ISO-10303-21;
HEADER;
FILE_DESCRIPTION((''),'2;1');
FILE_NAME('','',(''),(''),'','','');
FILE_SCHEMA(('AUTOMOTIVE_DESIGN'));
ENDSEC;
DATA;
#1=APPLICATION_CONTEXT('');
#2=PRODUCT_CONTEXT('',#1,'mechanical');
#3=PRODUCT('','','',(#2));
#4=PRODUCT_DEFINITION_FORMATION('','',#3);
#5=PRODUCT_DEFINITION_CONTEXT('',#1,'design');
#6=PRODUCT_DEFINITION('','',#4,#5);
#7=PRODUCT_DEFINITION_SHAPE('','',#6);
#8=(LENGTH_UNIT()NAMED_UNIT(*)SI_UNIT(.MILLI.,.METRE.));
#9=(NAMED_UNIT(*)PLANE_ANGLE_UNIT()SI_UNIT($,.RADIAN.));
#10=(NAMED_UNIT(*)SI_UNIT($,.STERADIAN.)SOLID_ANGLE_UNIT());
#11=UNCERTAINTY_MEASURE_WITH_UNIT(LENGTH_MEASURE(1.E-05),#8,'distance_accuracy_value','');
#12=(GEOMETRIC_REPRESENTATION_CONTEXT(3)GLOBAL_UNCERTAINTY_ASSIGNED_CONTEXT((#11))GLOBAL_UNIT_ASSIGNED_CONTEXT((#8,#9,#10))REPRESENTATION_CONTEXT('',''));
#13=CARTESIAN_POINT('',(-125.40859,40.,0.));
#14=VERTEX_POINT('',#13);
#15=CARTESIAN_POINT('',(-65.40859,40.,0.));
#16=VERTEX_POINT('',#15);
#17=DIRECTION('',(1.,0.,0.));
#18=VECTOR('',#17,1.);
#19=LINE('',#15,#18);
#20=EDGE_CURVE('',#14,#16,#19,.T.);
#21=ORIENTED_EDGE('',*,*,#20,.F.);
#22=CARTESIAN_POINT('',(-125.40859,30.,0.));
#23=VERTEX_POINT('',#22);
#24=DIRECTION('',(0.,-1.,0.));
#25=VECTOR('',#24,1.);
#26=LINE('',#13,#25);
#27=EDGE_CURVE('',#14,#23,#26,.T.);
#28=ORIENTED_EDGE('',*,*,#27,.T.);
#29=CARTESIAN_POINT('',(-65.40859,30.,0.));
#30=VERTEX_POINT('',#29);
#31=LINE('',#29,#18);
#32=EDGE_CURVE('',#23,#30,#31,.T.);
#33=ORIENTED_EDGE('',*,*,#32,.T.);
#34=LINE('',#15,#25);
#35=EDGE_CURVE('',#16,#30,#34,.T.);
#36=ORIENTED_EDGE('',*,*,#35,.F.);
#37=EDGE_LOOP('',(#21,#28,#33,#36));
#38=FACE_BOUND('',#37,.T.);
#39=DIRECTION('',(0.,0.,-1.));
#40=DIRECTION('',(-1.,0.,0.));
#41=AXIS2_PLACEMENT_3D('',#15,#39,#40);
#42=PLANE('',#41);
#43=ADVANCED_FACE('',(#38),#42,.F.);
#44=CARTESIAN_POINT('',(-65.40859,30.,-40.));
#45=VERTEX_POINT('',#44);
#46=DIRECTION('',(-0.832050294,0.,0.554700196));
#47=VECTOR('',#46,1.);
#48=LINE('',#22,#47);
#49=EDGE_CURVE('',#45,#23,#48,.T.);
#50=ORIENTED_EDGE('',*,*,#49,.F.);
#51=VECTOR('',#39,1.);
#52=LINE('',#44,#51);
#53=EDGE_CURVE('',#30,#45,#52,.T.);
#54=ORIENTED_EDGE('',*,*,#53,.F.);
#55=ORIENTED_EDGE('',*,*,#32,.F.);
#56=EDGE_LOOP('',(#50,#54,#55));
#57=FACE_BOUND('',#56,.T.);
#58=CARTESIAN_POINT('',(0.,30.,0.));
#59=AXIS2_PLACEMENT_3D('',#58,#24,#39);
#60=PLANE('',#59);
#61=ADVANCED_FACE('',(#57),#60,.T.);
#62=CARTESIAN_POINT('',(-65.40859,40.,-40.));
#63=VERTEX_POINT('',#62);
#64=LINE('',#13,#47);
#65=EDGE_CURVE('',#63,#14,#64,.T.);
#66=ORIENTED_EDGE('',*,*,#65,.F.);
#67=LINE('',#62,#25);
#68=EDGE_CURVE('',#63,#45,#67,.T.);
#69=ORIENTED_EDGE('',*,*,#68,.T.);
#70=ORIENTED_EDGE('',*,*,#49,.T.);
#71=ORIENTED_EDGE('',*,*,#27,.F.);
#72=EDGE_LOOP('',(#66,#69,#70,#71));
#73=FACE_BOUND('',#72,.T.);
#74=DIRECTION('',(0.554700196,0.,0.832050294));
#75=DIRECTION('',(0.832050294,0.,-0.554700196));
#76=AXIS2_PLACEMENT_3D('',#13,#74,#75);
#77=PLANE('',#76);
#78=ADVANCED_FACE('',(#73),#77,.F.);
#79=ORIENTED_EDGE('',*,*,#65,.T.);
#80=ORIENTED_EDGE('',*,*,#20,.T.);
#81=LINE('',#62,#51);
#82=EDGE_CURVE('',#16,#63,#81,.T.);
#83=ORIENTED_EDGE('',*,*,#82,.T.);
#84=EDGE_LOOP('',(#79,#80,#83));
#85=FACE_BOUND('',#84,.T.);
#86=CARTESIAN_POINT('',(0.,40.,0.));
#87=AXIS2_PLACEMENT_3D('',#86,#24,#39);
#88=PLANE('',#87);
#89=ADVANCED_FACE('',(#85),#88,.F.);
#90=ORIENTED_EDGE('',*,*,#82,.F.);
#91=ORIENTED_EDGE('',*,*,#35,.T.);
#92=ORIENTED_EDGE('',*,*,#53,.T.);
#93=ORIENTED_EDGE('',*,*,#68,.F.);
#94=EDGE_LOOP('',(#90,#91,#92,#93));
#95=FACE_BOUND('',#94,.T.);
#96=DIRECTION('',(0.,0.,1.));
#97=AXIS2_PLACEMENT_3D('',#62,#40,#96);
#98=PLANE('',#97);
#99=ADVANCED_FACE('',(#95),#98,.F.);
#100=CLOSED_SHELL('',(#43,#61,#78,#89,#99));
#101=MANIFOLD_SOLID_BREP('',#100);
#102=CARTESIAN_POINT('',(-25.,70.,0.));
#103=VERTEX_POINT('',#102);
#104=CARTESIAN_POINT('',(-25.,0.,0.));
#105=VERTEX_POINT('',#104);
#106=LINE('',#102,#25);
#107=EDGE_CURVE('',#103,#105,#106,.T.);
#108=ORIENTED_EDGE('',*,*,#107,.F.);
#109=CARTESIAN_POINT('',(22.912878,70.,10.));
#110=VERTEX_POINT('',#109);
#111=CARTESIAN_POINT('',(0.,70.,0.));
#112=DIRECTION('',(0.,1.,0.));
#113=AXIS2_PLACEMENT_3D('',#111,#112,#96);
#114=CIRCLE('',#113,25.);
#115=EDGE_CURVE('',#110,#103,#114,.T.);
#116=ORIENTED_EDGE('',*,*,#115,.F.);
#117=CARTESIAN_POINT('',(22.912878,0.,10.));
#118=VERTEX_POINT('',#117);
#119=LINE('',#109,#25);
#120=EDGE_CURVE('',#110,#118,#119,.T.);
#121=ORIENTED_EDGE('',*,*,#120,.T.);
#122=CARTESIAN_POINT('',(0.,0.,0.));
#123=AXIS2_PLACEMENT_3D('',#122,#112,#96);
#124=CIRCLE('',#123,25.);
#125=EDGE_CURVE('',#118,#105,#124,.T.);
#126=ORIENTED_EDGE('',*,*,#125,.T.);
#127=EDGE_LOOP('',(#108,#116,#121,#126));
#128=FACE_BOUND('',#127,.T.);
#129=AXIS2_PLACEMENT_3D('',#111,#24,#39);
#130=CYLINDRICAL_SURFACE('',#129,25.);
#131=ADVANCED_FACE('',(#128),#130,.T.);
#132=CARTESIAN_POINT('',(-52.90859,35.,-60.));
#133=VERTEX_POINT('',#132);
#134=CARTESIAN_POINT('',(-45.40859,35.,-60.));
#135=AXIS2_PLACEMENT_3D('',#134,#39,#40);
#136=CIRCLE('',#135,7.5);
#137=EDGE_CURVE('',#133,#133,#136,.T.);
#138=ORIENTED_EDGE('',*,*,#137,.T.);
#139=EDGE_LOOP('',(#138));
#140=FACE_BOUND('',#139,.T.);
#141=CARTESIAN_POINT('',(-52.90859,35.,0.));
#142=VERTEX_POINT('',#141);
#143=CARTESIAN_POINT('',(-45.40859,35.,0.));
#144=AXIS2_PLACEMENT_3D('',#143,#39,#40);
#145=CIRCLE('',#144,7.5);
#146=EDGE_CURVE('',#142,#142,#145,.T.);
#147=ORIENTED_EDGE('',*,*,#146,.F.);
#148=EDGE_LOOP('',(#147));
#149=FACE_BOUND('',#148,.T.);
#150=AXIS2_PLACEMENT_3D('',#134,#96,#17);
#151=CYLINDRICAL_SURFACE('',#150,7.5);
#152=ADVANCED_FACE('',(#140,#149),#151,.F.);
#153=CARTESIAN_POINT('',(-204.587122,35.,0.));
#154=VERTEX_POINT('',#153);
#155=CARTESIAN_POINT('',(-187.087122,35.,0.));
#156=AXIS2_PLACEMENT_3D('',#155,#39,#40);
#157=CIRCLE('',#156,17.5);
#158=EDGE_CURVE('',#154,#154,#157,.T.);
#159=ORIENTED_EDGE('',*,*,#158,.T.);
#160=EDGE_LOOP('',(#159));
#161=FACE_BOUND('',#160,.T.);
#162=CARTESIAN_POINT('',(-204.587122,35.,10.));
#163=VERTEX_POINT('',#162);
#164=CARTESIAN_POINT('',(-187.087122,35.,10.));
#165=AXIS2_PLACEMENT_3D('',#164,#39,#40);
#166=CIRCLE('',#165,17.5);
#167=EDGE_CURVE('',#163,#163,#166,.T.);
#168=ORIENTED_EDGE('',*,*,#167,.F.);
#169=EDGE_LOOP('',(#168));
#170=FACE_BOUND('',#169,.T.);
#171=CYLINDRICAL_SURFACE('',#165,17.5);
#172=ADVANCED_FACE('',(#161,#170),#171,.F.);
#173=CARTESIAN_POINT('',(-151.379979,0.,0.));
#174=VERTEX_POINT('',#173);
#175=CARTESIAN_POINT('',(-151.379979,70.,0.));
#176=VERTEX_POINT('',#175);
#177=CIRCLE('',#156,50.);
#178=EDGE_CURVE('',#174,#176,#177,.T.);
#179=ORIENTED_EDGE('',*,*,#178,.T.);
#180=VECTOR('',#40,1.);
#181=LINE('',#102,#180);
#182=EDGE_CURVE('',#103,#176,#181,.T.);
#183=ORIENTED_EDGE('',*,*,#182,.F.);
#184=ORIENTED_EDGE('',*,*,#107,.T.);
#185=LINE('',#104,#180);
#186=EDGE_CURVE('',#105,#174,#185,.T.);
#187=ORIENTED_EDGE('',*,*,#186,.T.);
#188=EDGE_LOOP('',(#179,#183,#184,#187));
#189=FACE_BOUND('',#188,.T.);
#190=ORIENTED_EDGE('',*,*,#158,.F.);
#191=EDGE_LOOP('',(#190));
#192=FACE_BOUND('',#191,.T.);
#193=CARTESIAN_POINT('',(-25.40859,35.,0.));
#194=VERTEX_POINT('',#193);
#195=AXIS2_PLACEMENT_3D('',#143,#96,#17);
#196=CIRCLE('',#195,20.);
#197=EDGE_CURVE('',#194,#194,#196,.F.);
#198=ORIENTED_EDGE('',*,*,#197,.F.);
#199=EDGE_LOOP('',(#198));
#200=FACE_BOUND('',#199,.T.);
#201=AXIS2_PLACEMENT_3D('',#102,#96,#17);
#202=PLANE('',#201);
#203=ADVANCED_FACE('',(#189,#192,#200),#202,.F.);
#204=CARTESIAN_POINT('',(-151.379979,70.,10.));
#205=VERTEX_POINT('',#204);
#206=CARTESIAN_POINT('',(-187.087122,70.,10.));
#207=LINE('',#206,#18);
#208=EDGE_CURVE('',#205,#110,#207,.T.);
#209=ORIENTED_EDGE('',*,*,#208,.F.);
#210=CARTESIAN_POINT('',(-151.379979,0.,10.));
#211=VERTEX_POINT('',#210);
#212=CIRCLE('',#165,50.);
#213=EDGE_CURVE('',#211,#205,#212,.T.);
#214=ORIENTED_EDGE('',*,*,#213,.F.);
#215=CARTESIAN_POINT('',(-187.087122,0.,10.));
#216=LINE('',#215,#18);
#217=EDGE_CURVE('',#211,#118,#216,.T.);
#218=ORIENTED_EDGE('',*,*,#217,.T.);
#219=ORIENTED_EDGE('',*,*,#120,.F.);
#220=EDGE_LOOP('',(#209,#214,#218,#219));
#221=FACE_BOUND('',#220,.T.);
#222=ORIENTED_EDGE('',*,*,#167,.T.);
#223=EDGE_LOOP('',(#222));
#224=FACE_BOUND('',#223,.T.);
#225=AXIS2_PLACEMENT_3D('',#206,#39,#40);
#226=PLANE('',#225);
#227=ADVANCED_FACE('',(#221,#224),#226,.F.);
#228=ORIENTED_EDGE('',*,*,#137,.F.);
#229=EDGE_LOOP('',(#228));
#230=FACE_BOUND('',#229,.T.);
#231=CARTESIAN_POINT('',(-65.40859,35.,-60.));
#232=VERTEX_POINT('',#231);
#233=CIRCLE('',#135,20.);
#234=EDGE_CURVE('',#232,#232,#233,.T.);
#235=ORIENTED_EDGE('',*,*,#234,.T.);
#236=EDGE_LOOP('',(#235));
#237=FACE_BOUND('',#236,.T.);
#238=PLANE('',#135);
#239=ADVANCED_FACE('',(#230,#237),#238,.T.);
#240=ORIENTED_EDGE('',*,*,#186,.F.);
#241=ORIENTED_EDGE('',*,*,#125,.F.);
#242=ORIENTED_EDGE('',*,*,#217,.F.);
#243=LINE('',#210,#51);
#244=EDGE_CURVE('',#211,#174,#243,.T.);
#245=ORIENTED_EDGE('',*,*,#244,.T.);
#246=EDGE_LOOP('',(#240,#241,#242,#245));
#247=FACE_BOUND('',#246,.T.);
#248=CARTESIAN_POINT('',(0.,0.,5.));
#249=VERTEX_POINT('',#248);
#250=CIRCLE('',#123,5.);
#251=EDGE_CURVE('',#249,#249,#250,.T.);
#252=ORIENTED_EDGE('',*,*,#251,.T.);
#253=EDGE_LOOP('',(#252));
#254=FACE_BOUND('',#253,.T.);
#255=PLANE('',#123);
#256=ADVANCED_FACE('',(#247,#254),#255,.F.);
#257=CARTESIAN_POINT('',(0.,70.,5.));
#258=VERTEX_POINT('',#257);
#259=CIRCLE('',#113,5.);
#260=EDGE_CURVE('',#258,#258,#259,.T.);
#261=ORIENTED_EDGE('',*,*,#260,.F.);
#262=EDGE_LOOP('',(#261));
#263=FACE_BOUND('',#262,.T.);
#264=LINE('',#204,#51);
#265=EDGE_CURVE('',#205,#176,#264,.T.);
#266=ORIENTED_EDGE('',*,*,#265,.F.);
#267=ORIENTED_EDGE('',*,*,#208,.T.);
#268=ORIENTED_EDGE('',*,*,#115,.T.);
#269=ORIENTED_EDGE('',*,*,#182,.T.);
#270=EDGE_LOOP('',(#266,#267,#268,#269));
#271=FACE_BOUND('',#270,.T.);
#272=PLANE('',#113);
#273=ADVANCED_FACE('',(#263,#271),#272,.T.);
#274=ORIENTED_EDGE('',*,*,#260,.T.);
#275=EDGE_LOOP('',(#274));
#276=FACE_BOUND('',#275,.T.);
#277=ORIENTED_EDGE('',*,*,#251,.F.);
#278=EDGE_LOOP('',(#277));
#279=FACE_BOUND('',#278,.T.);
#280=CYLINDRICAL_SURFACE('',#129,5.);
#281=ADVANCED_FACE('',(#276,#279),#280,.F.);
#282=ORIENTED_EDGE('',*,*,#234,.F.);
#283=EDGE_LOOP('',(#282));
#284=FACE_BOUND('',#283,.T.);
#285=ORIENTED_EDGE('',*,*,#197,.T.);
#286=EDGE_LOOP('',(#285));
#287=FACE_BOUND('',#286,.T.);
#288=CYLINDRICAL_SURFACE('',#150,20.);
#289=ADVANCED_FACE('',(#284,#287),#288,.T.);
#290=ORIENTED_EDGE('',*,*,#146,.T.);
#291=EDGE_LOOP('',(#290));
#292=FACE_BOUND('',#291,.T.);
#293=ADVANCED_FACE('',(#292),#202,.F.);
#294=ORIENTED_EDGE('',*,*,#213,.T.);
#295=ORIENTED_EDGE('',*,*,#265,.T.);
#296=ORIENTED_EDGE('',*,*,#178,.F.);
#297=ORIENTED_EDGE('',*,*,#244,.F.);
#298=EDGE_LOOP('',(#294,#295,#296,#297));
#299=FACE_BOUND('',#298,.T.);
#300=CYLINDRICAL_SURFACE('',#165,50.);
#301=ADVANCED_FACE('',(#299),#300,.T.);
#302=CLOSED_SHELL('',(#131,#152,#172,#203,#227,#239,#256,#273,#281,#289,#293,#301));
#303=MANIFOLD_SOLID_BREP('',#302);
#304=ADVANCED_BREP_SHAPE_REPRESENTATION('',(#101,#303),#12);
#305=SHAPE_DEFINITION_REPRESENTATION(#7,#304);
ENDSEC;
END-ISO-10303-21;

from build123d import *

# Parameters (mm, degrees)
SKETCH1_R           = 5
BOSS_EXTRUDE2_DEPTH = 70
BOSS_EXTRUDE3_DEPTH = 10
SKETCH4_R           = 17.5
CUT_EXTRUDE1_DEPTH  = 10
SKETCH5_R           = 20
SKETCH5_R_2         = 7.5
BOSS_EXTRUDE4_DEPTH = 60
BOSS_EXTRUDE9_DEPTH = 5


with BuildPart() as part:
    # Sketch1 → Boss-Extrude2 (new body)
    with BuildSketch(Plane(origin=(0, 0, 0), x_dir=(1, 0, 0), z_dir=(0, 1, 0))):
        with BuildLine():
            Line((-25, 0), (-187.087121525, 0))
            Line((-187.087121525, 0), (-187.087121525, -10))
            Line((-187.087121525, -10), (22.912878475, -10))
            ThreePointArc((22.912878475, -10), (5.107741092, 24.472657823), (-25, 0))
        make_face()
        Circle(SKETCH1_R, mode=Mode.SUBTRACT)
    extrude(amount=BOSS_EXTRUDE2_DEPTH)

    # Sketch3 → Boss-Extrude3 (add)
    with BuildSketch(Plane(origin=(0, 0, 0), x_dir=(-1, 0, 0), z_dir=(0, 0, -1))):
        with BuildLine():
            ThreePointArc((151.379979383, 70), (137.087121525, 35), (151.379979383, 0))
            Line((151.379979383, 0), (187.087121525, 0))
            Line((187.087121525, 0), (187.087121525, 70))
            Line((187.087121525, 70), (151.379979383, 70))
        make_face()
        with BuildLine():
            Line((187.087121525, 0), (151.379979383, 0))
            ThreePointArc((151.379979383, 0), (205.990069614, -11.289075964), (237.087121525, 35))
            ThreePointArc((237.087121525, 35), (205.990069614, 81.289075964), (151.379979383, 70))
            Line((151.379979383, 70), (187.087121525, 70))
            Line((187.087121525, 70), (187.087121525, 0))
        make_face()
    extrude(amount=-BOSS_EXTRUDE3_DEPTH)

    # Sketch4 → Cut-Extrude1 (cut)
    with BuildSketch(Plane(origin=(0, 0, 0), x_dir=(-1, 0, 0), z_dir=(0, 0, -1))):
        with Locations((187.087121525, 35)):
            Circle(SKETCH4_R)
    extrude(amount=-CUT_EXTRUDE1_DEPTH, mode=Mode.SUBTRACT)

    # Sketch5 → Boss-Extrude4 (add)
    with BuildSketch(Plane(origin=(0, 0, 0), x_dir=(-1, 0, 0), z_dir=(0, 0, -1))):
        with Locations((45.40859007, 35)):
            Circle(SKETCH5_R)
        with Locations((45.40859007, 35)):
            Circle(SKETCH5_R_2, mode=Mode.SUBTRACT)
    extrude(amount=BOSS_EXTRUDE4_DEPTH)


with BuildPart() as body_2:
    # Sketch7 → Boss-Extrude9 (new body, symmetric)
    with BuildSketch(Plane(origin=(0, 35, 0), x_dir=(1, 0, 0), z_dir=(0, 1, 0))):
        Polygon((-65.40859007, 40), (-65.40859007, 0), (-125.40859007, 0), align=None)
    extrude(amount=BOSS_EXTRUDE9_DEPTH, both=True)


solid = Compound([part.part, body_2.part])
